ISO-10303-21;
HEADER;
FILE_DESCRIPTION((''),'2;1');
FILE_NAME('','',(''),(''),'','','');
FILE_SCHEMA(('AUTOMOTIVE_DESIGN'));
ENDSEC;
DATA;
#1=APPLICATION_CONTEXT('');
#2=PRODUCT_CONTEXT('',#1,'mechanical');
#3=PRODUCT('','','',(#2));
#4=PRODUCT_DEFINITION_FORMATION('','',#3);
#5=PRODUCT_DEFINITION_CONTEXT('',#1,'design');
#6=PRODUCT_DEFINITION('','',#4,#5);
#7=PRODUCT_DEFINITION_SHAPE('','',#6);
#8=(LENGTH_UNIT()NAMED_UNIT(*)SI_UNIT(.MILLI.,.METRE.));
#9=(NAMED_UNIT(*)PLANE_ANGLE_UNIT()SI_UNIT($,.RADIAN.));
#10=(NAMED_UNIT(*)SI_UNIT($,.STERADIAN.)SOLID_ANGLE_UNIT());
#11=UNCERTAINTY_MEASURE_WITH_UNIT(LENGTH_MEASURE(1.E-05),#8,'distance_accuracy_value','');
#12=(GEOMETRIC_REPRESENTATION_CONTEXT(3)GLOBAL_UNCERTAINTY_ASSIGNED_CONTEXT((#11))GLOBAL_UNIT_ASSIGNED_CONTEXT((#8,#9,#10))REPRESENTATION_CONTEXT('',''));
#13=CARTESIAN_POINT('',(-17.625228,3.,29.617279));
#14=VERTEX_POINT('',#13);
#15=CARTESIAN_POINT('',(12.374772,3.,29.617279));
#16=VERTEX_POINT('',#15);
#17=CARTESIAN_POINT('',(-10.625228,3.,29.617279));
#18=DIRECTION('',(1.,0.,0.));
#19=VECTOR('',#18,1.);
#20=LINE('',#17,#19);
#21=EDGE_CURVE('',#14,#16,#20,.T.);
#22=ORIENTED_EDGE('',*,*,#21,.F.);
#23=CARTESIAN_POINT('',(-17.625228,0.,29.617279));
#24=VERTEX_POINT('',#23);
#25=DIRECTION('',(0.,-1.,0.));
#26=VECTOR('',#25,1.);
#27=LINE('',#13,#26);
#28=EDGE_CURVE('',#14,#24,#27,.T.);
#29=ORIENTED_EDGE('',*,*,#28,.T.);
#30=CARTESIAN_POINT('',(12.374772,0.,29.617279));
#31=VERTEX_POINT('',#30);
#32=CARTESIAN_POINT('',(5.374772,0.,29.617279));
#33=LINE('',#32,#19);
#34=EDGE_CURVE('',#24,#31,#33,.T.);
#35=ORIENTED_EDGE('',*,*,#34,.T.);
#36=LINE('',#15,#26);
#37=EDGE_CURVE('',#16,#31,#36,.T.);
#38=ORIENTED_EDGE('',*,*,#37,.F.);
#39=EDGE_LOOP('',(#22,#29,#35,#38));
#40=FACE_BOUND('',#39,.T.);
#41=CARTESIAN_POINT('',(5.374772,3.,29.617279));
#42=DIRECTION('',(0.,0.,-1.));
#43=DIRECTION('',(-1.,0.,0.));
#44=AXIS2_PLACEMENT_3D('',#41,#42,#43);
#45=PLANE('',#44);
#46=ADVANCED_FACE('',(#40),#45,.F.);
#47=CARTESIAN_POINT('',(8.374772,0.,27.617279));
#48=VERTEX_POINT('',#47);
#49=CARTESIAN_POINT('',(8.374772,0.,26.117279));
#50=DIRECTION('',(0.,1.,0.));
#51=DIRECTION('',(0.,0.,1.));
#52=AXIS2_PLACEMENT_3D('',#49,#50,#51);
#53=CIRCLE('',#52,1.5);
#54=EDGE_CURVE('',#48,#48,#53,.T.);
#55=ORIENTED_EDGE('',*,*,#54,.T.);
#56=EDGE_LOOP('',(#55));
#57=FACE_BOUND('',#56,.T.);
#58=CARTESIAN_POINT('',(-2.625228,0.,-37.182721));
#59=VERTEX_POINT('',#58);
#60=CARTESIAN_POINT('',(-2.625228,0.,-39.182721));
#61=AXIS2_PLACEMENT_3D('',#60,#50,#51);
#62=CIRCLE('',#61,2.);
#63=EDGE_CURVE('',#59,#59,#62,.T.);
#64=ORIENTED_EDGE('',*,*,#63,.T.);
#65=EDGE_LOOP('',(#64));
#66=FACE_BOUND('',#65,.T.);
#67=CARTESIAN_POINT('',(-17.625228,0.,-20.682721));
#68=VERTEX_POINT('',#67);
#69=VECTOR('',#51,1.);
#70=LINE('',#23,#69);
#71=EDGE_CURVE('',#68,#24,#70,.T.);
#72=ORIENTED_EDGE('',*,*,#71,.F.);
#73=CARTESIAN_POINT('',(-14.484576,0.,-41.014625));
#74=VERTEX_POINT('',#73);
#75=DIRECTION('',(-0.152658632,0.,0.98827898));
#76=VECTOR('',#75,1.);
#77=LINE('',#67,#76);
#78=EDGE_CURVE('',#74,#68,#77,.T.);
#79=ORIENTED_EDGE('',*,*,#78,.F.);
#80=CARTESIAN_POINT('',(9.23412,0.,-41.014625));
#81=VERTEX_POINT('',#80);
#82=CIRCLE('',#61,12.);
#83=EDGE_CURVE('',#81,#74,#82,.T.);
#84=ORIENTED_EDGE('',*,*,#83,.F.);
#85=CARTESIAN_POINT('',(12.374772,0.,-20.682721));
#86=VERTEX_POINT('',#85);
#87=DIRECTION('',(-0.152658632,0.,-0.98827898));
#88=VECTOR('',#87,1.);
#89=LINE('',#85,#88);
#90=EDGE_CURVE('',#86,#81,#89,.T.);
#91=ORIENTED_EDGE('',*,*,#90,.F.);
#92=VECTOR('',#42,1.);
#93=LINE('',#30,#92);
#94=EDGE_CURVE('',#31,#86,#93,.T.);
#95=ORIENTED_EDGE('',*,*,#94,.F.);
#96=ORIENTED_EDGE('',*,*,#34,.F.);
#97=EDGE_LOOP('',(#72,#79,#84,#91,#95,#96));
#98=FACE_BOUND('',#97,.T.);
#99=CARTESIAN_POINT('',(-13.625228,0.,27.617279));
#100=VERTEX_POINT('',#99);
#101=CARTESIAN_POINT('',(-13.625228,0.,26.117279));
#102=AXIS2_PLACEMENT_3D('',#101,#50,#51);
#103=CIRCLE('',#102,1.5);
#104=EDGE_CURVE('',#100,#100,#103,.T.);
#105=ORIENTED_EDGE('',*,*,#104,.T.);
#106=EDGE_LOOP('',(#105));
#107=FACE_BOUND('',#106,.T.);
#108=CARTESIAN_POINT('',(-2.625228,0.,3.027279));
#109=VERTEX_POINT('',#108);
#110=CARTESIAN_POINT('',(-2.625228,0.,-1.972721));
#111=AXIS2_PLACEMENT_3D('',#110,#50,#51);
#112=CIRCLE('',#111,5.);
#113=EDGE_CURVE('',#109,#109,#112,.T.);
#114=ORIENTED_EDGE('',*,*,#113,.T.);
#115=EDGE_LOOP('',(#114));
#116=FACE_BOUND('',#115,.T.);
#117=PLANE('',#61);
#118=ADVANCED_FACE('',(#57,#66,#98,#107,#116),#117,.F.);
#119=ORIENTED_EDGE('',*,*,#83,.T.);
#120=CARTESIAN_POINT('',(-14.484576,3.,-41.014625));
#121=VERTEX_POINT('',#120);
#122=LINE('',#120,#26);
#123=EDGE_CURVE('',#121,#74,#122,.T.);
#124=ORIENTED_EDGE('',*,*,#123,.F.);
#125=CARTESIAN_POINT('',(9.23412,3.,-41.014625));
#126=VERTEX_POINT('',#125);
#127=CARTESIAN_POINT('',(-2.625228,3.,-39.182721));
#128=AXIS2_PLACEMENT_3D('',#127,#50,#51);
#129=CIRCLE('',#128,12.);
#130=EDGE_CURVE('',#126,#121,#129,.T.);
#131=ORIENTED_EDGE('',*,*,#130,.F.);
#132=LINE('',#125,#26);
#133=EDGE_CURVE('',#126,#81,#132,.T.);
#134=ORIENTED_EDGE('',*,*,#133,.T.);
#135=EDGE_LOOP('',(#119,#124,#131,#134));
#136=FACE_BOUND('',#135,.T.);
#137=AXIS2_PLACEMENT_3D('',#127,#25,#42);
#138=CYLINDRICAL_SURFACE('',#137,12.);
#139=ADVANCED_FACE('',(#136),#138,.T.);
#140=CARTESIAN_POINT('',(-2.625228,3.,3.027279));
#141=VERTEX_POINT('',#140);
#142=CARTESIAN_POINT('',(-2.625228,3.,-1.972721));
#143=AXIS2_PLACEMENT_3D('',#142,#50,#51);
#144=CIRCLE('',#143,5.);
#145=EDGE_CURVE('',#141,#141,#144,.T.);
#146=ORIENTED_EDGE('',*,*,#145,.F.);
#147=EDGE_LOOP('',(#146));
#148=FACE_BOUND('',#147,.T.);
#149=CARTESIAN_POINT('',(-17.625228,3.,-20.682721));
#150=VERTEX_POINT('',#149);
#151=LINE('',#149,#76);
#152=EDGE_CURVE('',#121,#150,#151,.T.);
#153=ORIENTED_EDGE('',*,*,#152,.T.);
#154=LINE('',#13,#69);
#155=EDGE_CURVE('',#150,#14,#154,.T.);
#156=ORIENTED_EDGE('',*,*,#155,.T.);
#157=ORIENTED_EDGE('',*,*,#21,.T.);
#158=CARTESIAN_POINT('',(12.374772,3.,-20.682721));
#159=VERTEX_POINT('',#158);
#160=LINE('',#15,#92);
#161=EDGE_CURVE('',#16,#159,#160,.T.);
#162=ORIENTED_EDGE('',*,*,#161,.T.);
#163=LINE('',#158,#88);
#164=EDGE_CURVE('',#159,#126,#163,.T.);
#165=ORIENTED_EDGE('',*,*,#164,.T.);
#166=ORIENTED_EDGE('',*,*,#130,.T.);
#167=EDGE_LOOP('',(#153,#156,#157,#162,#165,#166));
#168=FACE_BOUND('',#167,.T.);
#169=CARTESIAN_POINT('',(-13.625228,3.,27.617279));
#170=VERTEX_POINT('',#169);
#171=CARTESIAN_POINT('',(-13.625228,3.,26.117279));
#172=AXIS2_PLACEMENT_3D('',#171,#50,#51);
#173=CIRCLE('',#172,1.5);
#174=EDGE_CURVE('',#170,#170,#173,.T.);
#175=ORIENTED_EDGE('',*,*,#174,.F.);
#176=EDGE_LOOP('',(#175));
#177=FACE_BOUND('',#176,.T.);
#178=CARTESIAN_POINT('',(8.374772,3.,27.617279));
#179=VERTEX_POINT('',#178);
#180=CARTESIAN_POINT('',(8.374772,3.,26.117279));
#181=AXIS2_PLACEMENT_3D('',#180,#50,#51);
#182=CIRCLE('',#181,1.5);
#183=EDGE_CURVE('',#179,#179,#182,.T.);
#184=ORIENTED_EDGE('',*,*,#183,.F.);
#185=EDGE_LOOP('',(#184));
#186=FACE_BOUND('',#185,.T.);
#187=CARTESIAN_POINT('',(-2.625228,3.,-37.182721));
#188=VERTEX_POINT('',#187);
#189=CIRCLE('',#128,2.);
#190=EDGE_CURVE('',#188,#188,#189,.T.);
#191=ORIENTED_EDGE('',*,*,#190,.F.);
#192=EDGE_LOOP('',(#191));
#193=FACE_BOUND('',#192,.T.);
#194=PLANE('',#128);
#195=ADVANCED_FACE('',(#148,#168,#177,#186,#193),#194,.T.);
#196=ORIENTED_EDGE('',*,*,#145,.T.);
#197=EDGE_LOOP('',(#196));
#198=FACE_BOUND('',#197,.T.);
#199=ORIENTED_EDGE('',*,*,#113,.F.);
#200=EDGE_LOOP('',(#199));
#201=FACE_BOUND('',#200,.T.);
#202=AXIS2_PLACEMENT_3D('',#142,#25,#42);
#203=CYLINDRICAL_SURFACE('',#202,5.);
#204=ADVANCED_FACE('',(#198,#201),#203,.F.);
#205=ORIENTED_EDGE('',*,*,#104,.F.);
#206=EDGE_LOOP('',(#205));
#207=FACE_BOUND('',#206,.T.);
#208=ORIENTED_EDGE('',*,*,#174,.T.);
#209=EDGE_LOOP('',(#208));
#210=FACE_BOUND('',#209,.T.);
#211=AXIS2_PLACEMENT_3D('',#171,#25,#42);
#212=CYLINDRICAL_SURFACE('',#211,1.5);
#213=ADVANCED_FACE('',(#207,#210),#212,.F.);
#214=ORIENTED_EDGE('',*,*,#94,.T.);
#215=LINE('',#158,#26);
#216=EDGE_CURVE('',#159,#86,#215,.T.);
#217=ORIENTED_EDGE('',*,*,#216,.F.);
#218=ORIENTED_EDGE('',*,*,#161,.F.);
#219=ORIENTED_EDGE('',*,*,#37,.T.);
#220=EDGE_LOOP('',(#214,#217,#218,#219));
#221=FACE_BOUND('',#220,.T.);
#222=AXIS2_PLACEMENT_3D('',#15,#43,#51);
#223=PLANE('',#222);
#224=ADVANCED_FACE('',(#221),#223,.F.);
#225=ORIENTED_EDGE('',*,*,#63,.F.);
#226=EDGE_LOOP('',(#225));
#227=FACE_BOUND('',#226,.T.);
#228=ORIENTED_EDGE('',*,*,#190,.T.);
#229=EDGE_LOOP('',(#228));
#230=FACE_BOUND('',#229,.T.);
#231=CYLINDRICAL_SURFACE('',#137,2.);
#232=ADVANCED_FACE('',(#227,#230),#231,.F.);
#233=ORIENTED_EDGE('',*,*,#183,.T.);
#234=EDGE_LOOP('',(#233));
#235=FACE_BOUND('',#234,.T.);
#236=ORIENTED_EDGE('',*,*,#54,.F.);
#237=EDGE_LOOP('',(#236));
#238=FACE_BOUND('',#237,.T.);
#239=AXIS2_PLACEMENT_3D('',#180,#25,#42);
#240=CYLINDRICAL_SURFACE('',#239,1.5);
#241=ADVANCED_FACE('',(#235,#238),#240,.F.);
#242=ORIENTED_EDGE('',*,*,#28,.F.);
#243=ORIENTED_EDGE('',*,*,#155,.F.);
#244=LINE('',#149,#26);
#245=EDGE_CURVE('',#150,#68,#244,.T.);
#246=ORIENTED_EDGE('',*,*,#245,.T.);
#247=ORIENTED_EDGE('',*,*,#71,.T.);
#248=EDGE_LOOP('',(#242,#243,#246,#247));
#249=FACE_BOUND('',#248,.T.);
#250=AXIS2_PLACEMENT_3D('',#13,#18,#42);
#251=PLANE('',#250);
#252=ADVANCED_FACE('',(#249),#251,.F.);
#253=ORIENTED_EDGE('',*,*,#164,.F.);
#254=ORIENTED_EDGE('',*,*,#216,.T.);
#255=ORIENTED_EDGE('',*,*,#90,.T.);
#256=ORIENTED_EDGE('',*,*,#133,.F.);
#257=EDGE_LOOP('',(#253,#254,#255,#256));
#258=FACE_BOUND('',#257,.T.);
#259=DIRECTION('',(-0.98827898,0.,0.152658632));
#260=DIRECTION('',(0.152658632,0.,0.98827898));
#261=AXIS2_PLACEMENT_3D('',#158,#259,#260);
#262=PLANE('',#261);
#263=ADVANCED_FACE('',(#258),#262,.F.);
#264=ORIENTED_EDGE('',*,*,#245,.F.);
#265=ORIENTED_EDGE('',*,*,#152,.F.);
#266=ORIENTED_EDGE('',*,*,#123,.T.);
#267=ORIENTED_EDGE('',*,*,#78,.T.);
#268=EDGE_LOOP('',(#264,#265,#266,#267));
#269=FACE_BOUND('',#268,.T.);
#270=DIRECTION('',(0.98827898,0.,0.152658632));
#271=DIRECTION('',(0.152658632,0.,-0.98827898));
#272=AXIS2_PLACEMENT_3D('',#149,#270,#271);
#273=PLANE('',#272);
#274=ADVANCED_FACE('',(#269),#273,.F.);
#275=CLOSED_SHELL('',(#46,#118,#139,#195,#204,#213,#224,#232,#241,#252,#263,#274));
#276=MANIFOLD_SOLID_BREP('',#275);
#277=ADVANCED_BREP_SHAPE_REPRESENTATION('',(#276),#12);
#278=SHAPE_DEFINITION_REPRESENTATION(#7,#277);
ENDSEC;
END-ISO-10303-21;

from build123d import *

# Parameters (mm, degrees)
SKETCH_1_R      = 1.5
SKETCH_1_R_2    = 2
SKETCH_1_R_3    = 5
EXTRUDE_1_DEPTH = 3


with BuildPart() as part:
    # Эскиз1 → Бобышка-Вытянуть1 (new body)
    with BuildSketch(Plane(origin=(0, 0, 0), x_dir=(1, 0, 0), z_dir=(0, 1, 0))):
        with BuildLine():
            Line((12.374772085, -29.617278809), (12.374772085, 20.682721191))
            Line((12.374772085, 20.682721191), (9.234119843, 41.014624779))
            ThreePointArc((9.234119843, 41.014624779), (-2.625227915, 51.182721191), (-14.484575673, 41.014624779))
            Line((-14.484575673, 41.014624779), (-17.625227915, 20.682721191))
            Line((-17.625227915, 20.682721191), (-17.625227915, -29.617278809))
            Line((-17.625227915, -29.617278809), (-10.625227915, -29.617278809))
            Line((-10.625227915, -29.617278809), (5.374772085, -29.617278809))
            Line((5.374772085, -29.617278809), (12.374772085, -29.617278809))
        make_face()
        with Locations(Location((-13.625227915, -26.117278809, 0), (0, 0, 270))):
            Circle(SKETCH_1_R, mode=Mode.SUBTRACT)
        with Locations(Location((8.374772085, -26.117278809, 0), (0, 0, 270))):
            Circle(SKETCH_1_R, mode=Mode.SUBTRACT)
        with Locations(Location((-2.625227915, 39.182721191, 0), (0, 0, 270))):
            Circle(SKETCH_1_R_2, mode=Mode.SUBTRACT)
        with Locations(Location((-2.625227915, 1.972721191, 0), (0, 0, 270))):
            Circle(SKETCH_1_R_3, mode=Mode.SUBTRACT)
    extrude(amount=EXTRUDE_1_DEPTH)


solid = part.part
